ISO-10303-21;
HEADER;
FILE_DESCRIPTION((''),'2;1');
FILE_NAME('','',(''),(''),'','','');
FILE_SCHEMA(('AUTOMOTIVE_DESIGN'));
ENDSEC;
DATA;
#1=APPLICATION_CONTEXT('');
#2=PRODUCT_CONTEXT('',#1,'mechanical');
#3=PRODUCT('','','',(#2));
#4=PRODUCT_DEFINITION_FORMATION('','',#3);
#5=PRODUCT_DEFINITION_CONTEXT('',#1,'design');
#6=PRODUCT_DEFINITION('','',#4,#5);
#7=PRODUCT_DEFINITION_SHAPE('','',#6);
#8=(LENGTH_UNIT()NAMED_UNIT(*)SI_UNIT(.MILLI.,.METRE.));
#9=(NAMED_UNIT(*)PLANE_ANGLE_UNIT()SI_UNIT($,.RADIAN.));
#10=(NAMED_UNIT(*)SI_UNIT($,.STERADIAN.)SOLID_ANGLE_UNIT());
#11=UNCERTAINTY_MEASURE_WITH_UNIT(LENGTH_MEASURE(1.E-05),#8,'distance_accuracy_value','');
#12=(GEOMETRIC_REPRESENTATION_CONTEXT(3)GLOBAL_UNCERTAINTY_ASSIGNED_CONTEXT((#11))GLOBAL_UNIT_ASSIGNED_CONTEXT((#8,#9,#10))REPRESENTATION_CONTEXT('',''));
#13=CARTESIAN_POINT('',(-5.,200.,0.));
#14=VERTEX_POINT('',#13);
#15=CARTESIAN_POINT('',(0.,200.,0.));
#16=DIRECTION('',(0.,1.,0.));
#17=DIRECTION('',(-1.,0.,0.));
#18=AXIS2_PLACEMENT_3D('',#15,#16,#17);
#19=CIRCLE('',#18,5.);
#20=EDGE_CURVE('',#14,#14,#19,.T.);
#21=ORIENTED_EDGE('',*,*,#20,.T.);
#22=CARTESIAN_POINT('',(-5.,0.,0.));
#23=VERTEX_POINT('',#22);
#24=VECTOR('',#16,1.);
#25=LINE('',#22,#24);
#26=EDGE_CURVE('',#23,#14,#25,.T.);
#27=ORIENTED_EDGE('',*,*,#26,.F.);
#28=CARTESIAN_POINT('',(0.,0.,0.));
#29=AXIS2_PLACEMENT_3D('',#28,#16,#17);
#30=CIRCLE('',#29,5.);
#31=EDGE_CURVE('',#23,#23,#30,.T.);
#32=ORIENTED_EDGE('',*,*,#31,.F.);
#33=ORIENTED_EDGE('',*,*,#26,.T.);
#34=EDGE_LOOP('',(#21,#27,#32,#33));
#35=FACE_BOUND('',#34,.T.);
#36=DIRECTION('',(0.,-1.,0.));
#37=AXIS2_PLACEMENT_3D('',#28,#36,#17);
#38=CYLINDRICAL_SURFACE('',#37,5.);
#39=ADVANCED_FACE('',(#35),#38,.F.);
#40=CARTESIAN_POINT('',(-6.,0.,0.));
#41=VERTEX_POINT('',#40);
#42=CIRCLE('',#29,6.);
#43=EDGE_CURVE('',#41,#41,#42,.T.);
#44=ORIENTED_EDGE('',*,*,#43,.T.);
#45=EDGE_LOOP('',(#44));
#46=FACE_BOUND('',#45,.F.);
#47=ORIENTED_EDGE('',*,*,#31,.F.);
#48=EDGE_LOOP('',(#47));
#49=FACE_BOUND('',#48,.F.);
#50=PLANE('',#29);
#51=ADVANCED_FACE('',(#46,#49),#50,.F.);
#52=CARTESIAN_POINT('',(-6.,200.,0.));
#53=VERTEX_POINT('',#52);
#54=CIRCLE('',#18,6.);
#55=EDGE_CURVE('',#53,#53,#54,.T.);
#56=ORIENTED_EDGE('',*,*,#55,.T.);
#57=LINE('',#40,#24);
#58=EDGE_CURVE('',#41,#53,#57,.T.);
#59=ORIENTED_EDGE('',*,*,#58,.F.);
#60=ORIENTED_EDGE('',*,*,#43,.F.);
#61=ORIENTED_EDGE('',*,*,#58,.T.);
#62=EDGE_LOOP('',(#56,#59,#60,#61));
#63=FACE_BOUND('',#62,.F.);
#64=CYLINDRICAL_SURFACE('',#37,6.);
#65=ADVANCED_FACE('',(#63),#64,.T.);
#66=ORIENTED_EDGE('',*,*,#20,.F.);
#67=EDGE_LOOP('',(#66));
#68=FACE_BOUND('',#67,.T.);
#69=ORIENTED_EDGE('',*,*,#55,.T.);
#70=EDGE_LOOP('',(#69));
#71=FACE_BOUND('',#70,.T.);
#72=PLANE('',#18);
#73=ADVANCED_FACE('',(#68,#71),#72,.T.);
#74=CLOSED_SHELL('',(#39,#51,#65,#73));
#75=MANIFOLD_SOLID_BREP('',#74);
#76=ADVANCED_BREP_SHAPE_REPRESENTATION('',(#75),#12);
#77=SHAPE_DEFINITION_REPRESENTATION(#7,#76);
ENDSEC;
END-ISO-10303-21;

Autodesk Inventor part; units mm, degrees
ref_plane "YZ Plane" through (0, 0, 0) normal (1, 0, 0) x (0, 1, 0)
ref_plane "XZ Plane" through (0, 0, 0) normal (0, 1, 0) x (-1, 0, 0)
ref_plane "XY Plane" through (0, 0, 0) normal (0, 0, 1) x (1, 0, 0)
sketch "Sketch1" plane through (0, 0, 0) normal (0, 1, 0) x (-1, 0, 0)
  circle A0 centre (0, 0) radius 5
  circle A1 centre (0, 0) radius 6
  dimension "d0" = 10
  dimension "d1" = 12
extrude "Extrusion1" add sketch "Sketch1" along normal blind 200
properties part number "Carbon Fiber Round Tube 330x16x14mm" material "PET Plastic"
